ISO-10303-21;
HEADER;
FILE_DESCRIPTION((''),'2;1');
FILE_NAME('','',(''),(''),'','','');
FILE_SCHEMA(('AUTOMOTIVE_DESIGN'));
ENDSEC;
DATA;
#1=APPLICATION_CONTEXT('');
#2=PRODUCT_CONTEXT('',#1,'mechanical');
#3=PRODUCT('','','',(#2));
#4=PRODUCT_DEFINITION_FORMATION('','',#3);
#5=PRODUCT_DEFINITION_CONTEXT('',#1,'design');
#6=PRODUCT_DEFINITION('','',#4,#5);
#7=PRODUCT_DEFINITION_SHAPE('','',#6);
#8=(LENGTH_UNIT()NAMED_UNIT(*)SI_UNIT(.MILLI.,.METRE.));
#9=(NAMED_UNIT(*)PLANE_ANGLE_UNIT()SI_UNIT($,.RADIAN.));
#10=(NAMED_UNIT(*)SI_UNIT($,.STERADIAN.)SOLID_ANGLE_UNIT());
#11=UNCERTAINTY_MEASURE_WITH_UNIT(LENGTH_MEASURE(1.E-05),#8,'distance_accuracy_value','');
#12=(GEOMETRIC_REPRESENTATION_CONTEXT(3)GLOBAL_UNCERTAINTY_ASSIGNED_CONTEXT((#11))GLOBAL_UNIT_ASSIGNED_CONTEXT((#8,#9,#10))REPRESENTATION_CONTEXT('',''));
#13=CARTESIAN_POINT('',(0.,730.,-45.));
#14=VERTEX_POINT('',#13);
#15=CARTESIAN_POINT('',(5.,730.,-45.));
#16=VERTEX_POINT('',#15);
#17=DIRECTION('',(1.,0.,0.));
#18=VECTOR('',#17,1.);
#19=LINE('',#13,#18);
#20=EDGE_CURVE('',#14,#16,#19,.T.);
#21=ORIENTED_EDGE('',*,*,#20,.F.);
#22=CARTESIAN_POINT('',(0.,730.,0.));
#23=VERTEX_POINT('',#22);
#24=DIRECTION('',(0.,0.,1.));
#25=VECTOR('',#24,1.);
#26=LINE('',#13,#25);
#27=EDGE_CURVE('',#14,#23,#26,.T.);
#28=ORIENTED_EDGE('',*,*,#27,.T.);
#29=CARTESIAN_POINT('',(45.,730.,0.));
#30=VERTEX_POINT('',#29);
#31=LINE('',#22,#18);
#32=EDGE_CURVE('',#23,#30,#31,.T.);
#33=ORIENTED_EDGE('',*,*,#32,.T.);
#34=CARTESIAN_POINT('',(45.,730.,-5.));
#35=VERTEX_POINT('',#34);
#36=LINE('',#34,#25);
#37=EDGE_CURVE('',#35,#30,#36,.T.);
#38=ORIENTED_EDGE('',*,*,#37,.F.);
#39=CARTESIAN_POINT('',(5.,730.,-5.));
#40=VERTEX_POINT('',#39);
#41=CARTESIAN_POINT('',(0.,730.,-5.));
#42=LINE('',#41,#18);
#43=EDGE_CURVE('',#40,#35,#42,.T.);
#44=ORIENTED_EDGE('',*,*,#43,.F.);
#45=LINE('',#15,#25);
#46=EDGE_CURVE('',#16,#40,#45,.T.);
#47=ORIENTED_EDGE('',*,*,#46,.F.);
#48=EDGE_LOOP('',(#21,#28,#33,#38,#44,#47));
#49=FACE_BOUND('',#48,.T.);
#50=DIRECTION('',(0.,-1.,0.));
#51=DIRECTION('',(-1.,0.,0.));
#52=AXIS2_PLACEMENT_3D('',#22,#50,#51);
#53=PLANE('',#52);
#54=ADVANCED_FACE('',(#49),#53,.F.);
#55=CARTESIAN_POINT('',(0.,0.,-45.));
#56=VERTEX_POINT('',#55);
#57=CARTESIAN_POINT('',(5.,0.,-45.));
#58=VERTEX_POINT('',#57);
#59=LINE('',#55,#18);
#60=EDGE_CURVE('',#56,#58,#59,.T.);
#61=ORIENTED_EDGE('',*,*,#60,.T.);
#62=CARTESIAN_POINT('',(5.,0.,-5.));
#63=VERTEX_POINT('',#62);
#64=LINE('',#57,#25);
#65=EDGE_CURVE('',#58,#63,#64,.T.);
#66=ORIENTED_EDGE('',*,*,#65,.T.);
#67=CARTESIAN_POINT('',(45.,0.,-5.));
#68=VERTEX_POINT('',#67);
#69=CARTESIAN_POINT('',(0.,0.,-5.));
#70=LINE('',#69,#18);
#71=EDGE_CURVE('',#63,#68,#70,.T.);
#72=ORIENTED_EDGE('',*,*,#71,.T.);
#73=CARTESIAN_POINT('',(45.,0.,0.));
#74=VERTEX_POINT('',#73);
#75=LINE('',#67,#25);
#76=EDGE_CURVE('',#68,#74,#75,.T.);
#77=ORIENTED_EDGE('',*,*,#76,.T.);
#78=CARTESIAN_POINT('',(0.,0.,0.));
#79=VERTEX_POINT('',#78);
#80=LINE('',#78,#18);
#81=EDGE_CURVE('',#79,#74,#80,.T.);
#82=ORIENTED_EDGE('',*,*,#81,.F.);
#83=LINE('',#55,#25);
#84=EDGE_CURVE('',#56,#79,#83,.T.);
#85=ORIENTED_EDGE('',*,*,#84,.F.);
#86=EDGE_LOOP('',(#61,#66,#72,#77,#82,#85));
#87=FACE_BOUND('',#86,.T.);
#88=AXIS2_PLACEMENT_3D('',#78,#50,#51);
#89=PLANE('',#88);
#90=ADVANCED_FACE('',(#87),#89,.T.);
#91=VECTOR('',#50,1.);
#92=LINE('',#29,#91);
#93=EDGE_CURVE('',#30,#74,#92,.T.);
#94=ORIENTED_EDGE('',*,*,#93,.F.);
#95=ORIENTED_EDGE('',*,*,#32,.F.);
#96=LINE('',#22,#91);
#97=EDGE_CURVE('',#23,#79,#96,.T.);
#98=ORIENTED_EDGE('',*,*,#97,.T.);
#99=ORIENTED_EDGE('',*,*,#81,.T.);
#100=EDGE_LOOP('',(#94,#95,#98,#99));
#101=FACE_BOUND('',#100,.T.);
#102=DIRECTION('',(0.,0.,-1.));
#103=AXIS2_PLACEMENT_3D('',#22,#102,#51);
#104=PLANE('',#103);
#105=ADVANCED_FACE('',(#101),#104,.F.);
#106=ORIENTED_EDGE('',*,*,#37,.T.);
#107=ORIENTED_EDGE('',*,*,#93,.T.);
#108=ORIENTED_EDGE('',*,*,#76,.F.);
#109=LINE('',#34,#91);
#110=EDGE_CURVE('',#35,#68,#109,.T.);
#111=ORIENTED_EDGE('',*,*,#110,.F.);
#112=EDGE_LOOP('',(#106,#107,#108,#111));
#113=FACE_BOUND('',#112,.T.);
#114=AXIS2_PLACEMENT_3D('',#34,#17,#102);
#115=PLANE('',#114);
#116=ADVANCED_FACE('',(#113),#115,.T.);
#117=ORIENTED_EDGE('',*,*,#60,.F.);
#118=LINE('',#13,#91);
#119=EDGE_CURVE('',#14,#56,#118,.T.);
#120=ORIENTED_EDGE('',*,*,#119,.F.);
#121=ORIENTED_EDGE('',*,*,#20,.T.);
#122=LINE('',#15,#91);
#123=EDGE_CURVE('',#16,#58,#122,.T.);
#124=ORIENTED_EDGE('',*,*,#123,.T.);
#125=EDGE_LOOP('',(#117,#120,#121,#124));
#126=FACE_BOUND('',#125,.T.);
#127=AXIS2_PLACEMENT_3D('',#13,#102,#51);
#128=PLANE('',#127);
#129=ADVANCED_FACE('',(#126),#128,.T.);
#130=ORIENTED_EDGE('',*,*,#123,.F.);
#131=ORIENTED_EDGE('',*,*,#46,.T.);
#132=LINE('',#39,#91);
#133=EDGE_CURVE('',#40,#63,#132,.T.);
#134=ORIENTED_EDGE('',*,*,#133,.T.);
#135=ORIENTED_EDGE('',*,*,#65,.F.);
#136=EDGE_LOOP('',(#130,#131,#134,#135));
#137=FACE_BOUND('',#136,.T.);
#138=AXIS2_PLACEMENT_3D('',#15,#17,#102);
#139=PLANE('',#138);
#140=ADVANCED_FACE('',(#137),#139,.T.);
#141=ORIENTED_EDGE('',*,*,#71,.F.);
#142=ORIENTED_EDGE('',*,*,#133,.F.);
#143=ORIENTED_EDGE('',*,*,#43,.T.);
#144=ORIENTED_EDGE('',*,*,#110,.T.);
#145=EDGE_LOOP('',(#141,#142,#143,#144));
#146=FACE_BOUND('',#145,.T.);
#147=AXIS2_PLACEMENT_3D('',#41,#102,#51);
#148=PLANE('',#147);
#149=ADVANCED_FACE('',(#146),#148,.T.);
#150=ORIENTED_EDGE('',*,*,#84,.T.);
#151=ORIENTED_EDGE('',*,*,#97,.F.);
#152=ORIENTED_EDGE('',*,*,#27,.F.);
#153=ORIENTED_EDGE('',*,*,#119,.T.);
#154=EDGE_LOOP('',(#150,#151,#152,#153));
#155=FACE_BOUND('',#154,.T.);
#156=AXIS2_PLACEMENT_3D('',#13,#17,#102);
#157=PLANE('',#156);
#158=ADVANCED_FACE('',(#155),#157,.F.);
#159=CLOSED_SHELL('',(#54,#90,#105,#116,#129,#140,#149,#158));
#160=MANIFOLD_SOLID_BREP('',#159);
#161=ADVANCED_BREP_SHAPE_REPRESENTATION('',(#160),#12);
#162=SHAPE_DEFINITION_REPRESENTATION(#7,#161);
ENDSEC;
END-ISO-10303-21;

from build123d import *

# Parameters (mm, degrees)
EXTRUDE_1_DEPTH = 730


with BuildPart() as part:
    # Эскиз1 → Вытянуть-Тонкостенный1 (new body)
    with BuildSketch(Plane(origin=(0, 0, 0), x_dir=(1, 0, 0), z_dir=(0, 1, 0))):
        Polygon((0, 45), (0, 0), (45, 0), (45, 5), (5, 5), (5, 45), align=None)
    extrude(amount=EXTRUDE_1_DEPTH)


solid = part.part
